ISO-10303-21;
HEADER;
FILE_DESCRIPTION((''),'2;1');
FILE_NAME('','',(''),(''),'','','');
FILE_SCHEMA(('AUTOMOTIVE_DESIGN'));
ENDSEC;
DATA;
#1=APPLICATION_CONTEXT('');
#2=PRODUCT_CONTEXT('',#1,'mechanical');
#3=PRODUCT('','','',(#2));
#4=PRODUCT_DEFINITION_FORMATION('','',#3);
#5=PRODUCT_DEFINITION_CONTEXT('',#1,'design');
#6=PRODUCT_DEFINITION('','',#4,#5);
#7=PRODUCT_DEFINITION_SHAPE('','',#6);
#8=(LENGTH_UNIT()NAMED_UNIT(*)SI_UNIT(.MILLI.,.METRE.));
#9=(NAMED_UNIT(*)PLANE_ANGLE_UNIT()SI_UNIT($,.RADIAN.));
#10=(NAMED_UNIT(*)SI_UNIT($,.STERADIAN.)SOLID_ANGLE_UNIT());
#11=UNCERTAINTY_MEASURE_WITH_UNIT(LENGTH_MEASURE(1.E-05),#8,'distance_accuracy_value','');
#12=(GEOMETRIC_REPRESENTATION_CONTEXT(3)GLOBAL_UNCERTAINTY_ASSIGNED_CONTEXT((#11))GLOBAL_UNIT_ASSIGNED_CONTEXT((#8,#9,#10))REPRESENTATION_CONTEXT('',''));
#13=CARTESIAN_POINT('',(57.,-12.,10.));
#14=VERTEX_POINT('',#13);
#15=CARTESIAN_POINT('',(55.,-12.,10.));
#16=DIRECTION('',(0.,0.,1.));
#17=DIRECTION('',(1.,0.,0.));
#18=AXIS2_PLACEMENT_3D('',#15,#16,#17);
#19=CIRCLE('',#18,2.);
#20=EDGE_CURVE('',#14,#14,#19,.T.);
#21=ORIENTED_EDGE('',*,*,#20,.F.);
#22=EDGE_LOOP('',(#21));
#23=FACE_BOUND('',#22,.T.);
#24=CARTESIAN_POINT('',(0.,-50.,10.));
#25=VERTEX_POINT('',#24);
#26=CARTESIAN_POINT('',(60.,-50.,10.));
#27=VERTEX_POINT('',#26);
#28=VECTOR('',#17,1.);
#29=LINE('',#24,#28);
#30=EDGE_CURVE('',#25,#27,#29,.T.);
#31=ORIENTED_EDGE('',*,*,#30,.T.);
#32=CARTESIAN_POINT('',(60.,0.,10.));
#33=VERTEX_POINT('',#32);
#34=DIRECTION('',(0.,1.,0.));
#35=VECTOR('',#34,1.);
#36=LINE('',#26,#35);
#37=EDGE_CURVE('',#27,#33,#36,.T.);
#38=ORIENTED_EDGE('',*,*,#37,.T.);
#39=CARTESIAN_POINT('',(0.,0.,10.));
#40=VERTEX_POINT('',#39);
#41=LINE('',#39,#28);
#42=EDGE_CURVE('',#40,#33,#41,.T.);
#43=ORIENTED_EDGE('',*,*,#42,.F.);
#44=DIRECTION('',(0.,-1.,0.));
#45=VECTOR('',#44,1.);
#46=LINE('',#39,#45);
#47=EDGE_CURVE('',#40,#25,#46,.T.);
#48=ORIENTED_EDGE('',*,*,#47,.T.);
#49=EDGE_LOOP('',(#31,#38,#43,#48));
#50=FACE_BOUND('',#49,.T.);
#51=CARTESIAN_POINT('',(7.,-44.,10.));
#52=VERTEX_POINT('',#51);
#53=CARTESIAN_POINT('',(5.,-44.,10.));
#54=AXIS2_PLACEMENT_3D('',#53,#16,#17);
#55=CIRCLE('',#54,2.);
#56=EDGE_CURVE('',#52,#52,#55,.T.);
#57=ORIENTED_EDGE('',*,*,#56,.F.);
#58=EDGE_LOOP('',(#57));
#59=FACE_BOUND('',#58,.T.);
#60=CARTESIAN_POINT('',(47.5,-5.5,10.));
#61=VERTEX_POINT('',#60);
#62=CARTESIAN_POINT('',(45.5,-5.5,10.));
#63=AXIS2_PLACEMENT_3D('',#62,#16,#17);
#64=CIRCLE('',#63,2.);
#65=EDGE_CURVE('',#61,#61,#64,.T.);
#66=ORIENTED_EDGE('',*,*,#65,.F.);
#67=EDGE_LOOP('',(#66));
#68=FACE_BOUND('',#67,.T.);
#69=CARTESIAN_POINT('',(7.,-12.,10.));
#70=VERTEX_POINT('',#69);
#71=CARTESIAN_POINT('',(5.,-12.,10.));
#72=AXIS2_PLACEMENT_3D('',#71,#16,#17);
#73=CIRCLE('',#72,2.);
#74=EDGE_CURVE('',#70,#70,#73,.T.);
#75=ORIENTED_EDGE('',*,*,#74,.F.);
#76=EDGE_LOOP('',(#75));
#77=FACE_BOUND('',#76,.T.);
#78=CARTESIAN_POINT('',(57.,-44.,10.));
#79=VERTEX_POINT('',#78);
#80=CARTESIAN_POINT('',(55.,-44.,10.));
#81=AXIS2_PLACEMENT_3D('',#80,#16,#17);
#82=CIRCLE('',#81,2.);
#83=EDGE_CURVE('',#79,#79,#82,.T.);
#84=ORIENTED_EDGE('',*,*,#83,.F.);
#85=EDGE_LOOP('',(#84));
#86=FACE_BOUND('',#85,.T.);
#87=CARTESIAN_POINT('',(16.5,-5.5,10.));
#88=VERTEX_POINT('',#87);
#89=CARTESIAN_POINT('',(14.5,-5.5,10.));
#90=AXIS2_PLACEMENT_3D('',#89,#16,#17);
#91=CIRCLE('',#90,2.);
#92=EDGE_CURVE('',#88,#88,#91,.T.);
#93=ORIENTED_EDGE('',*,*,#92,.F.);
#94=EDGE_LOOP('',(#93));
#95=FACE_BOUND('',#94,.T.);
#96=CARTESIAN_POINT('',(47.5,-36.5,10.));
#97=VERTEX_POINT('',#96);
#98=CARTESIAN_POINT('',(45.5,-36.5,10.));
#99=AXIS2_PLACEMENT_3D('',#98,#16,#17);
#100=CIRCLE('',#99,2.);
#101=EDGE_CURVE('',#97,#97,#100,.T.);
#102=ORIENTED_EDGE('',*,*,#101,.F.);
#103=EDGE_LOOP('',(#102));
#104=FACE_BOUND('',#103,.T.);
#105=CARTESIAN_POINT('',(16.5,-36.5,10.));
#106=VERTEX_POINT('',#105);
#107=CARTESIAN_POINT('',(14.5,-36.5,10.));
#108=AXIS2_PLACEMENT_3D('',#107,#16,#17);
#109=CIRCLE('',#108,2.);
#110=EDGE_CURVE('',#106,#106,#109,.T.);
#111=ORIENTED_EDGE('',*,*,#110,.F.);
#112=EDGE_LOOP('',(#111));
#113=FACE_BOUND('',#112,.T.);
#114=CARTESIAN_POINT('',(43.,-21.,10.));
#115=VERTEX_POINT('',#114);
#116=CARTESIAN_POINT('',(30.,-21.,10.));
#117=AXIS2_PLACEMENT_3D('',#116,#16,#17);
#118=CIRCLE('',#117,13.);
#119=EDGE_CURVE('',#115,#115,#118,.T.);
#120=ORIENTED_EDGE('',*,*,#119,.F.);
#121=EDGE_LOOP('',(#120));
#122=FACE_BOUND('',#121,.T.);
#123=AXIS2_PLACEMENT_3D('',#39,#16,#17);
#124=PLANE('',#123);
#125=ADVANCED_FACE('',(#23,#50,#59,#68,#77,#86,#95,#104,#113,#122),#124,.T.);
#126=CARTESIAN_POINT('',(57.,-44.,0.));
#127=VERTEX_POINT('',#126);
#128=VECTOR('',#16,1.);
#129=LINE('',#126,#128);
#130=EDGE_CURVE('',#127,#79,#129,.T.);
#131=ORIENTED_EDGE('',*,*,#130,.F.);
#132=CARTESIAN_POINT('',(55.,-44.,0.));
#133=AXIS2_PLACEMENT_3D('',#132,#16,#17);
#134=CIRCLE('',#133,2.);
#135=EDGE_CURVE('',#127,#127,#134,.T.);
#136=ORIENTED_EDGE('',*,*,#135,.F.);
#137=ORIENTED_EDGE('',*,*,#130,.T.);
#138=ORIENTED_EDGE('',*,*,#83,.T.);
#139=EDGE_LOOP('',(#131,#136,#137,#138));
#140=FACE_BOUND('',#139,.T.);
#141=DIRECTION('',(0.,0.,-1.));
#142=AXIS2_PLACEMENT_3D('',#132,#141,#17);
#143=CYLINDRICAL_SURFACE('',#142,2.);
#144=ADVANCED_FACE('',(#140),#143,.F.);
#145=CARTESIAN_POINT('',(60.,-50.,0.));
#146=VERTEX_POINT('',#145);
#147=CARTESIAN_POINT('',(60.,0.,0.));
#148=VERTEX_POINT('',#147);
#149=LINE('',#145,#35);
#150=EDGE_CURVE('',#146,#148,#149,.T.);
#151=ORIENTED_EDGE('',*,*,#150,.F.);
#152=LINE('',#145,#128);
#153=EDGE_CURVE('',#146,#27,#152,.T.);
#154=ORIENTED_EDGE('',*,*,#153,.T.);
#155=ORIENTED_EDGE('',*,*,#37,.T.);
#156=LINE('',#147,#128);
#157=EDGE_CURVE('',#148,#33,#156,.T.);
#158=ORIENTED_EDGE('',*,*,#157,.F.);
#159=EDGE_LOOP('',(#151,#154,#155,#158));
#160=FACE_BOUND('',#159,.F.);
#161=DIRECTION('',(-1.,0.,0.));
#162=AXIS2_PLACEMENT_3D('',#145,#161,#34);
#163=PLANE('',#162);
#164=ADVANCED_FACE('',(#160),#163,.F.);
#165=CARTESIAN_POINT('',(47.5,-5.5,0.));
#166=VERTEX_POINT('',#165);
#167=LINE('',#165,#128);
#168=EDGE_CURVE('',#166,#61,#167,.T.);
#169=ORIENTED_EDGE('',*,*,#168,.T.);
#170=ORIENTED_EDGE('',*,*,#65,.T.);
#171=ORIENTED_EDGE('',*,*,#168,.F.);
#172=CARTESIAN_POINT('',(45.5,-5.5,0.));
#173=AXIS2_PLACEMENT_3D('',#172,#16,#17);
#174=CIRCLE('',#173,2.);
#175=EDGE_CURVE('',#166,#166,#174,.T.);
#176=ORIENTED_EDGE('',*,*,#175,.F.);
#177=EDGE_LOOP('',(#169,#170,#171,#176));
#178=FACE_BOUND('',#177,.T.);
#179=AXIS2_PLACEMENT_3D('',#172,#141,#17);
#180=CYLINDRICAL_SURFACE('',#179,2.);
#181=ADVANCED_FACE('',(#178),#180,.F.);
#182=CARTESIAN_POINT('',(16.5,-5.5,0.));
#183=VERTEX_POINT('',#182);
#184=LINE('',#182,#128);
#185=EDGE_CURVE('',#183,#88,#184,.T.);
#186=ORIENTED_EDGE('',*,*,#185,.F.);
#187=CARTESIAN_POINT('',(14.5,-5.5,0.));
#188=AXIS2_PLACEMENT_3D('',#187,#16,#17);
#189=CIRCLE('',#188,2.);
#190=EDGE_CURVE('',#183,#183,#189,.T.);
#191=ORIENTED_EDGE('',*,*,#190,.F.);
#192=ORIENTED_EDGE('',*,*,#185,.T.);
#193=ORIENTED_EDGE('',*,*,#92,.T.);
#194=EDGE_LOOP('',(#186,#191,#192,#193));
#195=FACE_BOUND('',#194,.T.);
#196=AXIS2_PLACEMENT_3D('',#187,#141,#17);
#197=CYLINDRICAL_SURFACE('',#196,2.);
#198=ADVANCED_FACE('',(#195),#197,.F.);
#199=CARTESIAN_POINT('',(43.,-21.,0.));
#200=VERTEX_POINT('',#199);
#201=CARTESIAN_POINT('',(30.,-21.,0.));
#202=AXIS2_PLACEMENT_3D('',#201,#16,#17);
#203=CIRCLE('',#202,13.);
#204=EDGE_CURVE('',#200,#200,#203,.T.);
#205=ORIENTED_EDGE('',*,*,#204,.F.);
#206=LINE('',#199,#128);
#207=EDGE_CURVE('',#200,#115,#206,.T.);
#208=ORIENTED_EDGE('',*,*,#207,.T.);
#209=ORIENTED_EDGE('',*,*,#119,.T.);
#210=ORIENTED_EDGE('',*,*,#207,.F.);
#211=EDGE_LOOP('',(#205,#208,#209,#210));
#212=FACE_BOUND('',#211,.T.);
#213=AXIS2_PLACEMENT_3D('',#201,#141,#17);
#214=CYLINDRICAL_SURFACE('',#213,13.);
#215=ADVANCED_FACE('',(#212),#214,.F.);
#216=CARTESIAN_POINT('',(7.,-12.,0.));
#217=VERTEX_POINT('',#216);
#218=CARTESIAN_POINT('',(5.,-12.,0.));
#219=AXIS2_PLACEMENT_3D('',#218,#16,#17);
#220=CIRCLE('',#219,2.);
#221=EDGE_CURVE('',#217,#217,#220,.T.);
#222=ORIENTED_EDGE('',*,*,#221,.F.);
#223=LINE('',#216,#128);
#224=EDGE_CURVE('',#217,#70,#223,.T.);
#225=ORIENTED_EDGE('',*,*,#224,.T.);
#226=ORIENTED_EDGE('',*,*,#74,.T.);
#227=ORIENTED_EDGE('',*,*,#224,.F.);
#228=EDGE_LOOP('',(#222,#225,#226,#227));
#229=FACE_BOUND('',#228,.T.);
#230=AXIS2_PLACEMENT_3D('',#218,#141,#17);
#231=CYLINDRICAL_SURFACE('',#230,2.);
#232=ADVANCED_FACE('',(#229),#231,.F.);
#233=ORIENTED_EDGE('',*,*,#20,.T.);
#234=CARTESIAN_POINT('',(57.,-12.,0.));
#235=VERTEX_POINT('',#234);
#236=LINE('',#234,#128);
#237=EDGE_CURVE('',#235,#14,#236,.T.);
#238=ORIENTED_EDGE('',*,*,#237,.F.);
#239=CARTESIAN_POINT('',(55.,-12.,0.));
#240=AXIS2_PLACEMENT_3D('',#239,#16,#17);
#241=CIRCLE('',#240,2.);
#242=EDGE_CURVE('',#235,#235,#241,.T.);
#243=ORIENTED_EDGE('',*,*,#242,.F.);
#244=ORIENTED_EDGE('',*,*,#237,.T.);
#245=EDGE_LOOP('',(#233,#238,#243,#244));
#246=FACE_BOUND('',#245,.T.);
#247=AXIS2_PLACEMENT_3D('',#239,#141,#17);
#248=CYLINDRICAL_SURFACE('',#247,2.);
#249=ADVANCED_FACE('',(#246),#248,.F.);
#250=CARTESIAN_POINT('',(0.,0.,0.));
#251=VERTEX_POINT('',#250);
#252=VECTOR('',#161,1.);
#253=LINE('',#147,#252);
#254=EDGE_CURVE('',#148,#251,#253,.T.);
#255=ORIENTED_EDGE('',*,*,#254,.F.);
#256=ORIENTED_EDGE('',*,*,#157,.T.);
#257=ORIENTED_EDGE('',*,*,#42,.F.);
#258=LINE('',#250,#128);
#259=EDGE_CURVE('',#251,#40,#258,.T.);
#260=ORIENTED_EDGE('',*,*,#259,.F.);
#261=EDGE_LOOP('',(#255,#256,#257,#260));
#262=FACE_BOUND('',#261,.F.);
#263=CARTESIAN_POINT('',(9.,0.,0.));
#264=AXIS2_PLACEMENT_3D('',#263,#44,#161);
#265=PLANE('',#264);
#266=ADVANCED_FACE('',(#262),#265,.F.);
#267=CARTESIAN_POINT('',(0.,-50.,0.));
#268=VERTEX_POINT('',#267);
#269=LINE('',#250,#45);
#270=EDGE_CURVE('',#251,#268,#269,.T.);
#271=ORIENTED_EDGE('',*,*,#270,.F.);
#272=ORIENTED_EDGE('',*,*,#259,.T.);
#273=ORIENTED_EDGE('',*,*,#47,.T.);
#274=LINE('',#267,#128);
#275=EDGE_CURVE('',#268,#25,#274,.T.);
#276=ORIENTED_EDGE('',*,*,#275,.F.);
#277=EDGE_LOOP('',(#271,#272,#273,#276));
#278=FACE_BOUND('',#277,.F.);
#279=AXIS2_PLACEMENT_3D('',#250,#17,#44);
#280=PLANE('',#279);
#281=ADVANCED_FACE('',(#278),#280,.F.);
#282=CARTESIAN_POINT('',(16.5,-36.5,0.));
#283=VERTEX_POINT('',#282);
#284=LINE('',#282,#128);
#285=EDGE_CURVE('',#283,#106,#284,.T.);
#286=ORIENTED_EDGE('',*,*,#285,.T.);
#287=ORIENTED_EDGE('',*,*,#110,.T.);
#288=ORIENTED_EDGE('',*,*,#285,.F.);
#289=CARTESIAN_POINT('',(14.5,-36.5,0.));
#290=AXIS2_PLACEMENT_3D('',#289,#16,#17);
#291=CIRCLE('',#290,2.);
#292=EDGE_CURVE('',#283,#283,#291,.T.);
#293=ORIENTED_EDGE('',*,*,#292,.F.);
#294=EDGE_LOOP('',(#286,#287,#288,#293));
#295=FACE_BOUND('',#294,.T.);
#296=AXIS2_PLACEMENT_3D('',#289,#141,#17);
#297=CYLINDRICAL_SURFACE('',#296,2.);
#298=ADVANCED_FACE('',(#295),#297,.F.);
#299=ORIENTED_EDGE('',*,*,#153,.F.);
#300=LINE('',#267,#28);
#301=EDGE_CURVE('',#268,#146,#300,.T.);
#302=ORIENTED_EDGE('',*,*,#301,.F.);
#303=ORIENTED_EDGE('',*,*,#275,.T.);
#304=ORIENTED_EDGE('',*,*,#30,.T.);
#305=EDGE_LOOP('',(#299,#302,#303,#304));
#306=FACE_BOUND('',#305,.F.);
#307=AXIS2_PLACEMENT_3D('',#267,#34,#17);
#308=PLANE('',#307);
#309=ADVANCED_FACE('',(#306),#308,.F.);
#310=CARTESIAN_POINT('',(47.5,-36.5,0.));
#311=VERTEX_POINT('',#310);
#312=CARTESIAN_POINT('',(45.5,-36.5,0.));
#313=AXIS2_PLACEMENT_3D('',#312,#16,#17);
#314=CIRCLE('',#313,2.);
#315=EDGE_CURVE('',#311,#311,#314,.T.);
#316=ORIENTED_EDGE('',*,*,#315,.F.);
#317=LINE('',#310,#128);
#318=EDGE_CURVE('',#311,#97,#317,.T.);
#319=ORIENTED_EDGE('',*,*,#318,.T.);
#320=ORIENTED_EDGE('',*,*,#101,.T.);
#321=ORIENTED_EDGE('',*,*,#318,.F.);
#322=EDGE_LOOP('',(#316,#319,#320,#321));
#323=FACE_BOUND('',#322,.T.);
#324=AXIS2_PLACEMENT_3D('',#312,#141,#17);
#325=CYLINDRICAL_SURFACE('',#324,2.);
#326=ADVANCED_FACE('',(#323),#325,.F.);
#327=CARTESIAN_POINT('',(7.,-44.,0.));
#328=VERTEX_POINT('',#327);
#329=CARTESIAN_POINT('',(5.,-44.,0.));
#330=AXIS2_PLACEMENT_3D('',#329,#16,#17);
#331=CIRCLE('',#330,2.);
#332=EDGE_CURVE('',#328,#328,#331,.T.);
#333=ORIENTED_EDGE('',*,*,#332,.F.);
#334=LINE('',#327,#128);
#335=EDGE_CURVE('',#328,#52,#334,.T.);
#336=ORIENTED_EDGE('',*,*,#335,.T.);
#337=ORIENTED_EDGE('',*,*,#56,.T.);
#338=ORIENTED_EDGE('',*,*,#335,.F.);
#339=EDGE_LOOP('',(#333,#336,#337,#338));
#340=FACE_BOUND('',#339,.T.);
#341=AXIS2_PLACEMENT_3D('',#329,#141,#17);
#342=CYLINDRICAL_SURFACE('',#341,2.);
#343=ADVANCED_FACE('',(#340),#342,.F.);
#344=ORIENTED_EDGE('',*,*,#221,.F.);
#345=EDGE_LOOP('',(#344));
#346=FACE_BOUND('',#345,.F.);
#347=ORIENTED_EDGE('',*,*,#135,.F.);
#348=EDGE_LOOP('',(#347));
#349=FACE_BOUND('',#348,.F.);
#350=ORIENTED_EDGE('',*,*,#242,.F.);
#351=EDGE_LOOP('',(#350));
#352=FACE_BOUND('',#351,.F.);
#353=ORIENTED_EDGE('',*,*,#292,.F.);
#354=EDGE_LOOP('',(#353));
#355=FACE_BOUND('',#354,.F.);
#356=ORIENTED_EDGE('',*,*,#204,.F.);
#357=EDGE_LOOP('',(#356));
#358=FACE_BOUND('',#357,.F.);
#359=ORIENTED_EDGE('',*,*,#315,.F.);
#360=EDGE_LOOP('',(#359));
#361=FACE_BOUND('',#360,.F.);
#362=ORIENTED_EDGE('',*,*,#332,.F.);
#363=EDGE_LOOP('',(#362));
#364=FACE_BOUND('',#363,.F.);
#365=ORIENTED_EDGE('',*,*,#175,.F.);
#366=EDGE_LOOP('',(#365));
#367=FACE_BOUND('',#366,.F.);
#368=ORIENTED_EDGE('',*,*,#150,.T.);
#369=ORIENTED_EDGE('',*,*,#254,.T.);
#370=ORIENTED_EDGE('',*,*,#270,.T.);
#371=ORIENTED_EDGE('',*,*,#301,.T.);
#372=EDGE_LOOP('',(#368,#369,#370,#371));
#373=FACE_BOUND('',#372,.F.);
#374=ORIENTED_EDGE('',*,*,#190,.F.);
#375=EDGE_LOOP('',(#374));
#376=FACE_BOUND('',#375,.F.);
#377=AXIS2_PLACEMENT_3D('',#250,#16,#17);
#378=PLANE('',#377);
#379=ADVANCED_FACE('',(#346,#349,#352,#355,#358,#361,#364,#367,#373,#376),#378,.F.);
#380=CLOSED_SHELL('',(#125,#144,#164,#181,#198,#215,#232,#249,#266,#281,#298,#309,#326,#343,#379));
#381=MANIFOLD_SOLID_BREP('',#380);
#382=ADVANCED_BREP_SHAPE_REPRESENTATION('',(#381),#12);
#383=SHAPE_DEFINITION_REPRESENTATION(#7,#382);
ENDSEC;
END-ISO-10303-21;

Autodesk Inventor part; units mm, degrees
ref_plane "YZ Plane" through (0, 0, 0) normal (1, 0, 0) x (0, 1, 0)
ref_plane "XZ Plane" through (0, 0, 0) normal (0, 1, 0) x (-1, 0, 0)
ref_plane "XY Plane" through (0, 0, 0) normal (0, 0, 1) x (1, 0, 0)
sketch "Sketch1" plane through (0, 0, 0) normal (0, 0, 1) x (1, 0, 0)
  line L0 (0, 0) -> (0, -50)
  line L1 (0, -50) -> (60, -50)
  line L2 (60, -50) -> (60, 0)
  line L3 (60, 0) -> (0, 0)
  circle A0 centre (5, -12) radius 2
  circle A1 centre (5, -44) radius 2
  circle A2 centre (55, -12) radius 2
  circle A3 centre (55, -44) radius 2
  line L4 (9, 0) -> (9, -42)
  line L5 (9, -42) -> (51, -42)
  line L6 (51, -42) -> (51, 0)
  line L7 (51, 0) -> (9, 0)
  circle A4 centre (30, -21) radius 13
  circle A5 centre (14.5, -5.5) radius 2
  circle A6 centre (14.5, -36.5) radius 2
  circle A7 centre (45.5, -36.5) radius 2
  circle A8 centre (45.5, -5.5) radius 2
  dimension "d0" = 50
  dimension "d1" = 60
  dimension "d2" = 4
  dimension "d3" = 4
  dimension "d4" = 4
  dimension "d5" = 4
  dimension "d6" = 5
  dimension "d7" = 5
  dimension "d8" = 5
  dimension "d9" = 5
  dimension "d11" = 6
  dimension "d13" = 6
  dimension "d16" = 42
  dimension "d17" = 42
  dimension "d18" = 42
  dimension "d19" = 26
  dimension "d20" = 21
  dimension "d21" = 30
  dimension "d22" = 21
  dimension "d23" = 21
  dimension "d24" = 4
  dimension "d25" = 4
  dimension "d26" = 4
  dimension "d27" = 4
  dimension "d28" = 31
  dimension "d29" = 31
  dimension "d30" = 31
  dimension "d31" = 31
  dimension "d32" = 5.5
  dimension "d33" = 5.5
  dimension "d34" = 5.5
  dimension "d35" = 5.5
  dimension "d40" = 38
  dimension "d41" = 38
extrude "Extrusion3" add sketch "Sketch1" along normal blind 10
properties part number "Techo Espaciador" material "Aluminum 6061"
